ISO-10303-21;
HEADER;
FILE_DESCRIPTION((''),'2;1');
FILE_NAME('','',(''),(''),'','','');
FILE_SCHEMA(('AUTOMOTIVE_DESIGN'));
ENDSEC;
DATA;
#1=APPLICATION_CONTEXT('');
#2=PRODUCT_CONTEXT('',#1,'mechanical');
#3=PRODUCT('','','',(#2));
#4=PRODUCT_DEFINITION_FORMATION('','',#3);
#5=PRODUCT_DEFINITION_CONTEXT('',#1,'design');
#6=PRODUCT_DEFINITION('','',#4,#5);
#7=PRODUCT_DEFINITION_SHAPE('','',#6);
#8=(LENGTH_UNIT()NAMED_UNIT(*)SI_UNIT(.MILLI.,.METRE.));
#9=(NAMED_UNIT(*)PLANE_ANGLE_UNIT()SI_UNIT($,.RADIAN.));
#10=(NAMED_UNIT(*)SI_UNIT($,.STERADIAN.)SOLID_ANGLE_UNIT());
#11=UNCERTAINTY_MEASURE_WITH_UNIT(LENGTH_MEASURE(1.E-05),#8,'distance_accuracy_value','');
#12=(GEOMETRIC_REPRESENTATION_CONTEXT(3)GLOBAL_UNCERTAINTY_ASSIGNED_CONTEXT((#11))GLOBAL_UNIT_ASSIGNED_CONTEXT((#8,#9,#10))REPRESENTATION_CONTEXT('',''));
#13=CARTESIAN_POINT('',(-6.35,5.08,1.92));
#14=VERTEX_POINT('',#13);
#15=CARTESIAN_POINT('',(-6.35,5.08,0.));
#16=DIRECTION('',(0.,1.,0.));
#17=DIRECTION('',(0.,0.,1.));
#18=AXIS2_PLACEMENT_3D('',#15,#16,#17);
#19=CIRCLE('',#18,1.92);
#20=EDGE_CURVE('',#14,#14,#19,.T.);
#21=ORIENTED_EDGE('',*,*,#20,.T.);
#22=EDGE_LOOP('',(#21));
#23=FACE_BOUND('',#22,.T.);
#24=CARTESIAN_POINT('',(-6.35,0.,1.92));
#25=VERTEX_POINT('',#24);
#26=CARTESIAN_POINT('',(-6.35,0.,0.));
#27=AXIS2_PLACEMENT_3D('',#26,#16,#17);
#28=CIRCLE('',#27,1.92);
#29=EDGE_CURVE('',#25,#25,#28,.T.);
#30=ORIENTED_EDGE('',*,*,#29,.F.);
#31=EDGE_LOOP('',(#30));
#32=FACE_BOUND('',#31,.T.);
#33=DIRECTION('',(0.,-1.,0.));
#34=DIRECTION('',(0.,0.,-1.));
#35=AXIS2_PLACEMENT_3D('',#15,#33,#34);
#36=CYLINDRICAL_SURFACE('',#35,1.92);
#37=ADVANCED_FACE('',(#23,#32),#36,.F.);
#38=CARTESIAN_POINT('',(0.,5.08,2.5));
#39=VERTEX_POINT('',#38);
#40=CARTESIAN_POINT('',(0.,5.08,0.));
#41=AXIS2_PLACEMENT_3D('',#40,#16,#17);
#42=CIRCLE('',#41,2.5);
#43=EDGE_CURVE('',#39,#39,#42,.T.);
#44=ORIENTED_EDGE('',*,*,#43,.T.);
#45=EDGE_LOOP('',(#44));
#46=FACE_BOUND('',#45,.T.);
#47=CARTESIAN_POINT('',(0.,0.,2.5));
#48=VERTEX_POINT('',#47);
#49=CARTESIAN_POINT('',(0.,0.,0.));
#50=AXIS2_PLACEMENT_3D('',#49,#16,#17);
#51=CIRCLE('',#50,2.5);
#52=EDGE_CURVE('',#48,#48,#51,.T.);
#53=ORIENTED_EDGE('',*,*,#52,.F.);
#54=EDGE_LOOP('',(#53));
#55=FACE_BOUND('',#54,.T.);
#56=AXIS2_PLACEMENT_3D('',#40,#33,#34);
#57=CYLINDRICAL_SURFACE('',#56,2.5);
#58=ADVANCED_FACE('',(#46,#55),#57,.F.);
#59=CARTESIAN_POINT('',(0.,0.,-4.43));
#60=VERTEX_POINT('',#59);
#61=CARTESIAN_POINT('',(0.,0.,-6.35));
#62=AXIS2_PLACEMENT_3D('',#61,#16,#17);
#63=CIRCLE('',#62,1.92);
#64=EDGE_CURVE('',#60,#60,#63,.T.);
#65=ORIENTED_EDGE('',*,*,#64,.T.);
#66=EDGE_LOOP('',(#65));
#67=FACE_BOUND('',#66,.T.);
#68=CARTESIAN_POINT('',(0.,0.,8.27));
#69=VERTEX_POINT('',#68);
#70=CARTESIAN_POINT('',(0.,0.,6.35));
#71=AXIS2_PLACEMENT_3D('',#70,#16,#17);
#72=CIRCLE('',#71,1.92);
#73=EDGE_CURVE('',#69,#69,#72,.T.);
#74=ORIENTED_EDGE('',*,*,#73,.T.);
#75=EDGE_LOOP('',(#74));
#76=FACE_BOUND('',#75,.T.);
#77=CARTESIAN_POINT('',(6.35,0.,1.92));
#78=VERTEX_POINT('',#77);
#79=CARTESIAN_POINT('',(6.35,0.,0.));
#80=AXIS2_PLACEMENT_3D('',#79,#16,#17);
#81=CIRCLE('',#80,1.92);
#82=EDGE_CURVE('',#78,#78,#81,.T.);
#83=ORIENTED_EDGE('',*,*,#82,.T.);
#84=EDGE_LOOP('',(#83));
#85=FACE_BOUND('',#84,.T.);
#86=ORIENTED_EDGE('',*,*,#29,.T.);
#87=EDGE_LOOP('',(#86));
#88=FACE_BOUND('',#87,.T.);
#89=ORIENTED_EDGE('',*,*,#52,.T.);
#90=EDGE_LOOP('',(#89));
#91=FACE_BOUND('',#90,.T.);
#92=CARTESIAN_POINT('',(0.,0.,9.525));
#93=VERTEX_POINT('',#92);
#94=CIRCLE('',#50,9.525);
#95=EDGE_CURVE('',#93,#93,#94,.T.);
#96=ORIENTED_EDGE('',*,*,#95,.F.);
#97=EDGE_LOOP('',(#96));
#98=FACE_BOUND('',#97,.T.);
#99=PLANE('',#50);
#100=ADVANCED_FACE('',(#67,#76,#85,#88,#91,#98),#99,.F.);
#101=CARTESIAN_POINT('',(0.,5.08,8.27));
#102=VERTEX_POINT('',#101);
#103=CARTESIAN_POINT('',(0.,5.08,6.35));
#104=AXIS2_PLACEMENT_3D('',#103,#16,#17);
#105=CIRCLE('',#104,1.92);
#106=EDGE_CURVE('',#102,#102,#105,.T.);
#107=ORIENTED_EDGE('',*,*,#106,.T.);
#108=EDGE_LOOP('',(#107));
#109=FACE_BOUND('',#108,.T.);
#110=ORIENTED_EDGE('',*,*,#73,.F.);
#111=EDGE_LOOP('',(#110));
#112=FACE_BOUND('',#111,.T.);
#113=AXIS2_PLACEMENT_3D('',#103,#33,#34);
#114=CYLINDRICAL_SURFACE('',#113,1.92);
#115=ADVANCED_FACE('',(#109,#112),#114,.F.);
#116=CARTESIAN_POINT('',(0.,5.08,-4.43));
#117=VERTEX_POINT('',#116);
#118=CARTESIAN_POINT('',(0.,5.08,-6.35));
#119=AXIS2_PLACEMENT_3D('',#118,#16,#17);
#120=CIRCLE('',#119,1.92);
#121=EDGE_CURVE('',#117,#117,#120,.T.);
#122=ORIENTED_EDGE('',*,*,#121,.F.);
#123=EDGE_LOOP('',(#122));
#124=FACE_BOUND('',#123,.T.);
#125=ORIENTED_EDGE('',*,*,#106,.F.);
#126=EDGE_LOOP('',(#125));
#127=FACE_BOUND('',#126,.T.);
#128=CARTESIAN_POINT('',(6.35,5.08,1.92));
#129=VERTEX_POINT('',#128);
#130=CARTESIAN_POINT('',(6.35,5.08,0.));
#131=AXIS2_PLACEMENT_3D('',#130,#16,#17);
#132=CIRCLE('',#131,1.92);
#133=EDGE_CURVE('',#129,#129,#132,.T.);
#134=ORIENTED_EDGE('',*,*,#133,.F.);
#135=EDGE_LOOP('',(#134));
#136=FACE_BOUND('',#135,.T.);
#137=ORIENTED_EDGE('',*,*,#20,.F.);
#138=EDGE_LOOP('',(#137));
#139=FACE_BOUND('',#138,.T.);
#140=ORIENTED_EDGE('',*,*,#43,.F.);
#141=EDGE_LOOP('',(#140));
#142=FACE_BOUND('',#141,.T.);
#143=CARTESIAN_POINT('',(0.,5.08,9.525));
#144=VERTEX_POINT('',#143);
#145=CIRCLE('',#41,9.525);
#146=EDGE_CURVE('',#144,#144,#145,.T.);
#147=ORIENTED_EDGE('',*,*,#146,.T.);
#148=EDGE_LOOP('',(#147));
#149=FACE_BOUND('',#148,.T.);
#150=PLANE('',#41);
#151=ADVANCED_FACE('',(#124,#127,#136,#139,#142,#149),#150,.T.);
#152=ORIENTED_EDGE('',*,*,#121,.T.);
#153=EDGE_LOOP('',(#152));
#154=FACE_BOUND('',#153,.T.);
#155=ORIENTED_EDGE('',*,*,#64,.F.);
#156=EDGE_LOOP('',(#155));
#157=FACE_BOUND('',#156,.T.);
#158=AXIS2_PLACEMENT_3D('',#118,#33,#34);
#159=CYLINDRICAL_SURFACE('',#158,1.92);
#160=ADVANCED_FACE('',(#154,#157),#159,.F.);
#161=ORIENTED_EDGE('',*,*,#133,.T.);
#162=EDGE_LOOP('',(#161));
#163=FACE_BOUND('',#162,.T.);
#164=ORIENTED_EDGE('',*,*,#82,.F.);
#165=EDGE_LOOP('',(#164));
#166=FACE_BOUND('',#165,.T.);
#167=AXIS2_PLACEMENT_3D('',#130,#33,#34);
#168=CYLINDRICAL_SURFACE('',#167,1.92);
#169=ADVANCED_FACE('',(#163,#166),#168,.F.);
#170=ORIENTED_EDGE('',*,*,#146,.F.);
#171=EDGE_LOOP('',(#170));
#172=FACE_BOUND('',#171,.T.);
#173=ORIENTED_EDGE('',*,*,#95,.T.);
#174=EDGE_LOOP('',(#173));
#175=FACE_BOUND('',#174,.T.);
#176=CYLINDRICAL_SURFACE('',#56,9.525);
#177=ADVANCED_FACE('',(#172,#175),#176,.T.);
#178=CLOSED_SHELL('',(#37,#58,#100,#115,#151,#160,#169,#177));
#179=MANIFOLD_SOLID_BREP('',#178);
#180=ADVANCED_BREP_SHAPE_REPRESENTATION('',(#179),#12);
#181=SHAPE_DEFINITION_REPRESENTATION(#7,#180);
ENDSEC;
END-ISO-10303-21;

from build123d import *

# Parameters (mm, degrees)
SKETCH1_R           = 9.525
SKETCH1_R_2         = 1.92
SKETCH1_R_3         = 2.5
BOSS_EXTRUDE1_DEPTH = 5.08


with BuildPart() as part:
    # Sketch1 → Boss-Extrude1 (new body)
    with BuildSketch(Plane(origin=(0, 0, 0), x_dir=(1, 0, 0), z_dir=(0, 1, 0))):
        with Locations(Location((0, 0, 0), (0, 0, 270))):
            Circle(SKETCH1_R)
        with Locations(Location((0, 6.35, 0), (0, 0, 270))):
            Circle(SKETCH1_R_2, mode=Mode.SUBTRACT)
        with Locations(Location((6.35, 0, 0), (0, 0, 270))):
            Circle(SKETCH1_R_2, mode=Mode.SUBTRACT)
        with Locations(Location((0, -6.35, 0), (0, 0, 270))):
            Circle(SKETCH1_R_2, mode=Mode.SUBTRACT)
        with Locations(Location((-6.35, 0, 0), (0, 0, 270))):
            Circle(SKETCH1_R_2, mode=Mode.SUBTRACT)
        with Locations(Location((0, 0, 0), (0, 0, 270))):
            Circle(SKETCH1_R_3, mode=Mode.SUBTRACT)
    extrude(amount=BOSS_EXTRUDE1_DEPTH)


solid = part.part
